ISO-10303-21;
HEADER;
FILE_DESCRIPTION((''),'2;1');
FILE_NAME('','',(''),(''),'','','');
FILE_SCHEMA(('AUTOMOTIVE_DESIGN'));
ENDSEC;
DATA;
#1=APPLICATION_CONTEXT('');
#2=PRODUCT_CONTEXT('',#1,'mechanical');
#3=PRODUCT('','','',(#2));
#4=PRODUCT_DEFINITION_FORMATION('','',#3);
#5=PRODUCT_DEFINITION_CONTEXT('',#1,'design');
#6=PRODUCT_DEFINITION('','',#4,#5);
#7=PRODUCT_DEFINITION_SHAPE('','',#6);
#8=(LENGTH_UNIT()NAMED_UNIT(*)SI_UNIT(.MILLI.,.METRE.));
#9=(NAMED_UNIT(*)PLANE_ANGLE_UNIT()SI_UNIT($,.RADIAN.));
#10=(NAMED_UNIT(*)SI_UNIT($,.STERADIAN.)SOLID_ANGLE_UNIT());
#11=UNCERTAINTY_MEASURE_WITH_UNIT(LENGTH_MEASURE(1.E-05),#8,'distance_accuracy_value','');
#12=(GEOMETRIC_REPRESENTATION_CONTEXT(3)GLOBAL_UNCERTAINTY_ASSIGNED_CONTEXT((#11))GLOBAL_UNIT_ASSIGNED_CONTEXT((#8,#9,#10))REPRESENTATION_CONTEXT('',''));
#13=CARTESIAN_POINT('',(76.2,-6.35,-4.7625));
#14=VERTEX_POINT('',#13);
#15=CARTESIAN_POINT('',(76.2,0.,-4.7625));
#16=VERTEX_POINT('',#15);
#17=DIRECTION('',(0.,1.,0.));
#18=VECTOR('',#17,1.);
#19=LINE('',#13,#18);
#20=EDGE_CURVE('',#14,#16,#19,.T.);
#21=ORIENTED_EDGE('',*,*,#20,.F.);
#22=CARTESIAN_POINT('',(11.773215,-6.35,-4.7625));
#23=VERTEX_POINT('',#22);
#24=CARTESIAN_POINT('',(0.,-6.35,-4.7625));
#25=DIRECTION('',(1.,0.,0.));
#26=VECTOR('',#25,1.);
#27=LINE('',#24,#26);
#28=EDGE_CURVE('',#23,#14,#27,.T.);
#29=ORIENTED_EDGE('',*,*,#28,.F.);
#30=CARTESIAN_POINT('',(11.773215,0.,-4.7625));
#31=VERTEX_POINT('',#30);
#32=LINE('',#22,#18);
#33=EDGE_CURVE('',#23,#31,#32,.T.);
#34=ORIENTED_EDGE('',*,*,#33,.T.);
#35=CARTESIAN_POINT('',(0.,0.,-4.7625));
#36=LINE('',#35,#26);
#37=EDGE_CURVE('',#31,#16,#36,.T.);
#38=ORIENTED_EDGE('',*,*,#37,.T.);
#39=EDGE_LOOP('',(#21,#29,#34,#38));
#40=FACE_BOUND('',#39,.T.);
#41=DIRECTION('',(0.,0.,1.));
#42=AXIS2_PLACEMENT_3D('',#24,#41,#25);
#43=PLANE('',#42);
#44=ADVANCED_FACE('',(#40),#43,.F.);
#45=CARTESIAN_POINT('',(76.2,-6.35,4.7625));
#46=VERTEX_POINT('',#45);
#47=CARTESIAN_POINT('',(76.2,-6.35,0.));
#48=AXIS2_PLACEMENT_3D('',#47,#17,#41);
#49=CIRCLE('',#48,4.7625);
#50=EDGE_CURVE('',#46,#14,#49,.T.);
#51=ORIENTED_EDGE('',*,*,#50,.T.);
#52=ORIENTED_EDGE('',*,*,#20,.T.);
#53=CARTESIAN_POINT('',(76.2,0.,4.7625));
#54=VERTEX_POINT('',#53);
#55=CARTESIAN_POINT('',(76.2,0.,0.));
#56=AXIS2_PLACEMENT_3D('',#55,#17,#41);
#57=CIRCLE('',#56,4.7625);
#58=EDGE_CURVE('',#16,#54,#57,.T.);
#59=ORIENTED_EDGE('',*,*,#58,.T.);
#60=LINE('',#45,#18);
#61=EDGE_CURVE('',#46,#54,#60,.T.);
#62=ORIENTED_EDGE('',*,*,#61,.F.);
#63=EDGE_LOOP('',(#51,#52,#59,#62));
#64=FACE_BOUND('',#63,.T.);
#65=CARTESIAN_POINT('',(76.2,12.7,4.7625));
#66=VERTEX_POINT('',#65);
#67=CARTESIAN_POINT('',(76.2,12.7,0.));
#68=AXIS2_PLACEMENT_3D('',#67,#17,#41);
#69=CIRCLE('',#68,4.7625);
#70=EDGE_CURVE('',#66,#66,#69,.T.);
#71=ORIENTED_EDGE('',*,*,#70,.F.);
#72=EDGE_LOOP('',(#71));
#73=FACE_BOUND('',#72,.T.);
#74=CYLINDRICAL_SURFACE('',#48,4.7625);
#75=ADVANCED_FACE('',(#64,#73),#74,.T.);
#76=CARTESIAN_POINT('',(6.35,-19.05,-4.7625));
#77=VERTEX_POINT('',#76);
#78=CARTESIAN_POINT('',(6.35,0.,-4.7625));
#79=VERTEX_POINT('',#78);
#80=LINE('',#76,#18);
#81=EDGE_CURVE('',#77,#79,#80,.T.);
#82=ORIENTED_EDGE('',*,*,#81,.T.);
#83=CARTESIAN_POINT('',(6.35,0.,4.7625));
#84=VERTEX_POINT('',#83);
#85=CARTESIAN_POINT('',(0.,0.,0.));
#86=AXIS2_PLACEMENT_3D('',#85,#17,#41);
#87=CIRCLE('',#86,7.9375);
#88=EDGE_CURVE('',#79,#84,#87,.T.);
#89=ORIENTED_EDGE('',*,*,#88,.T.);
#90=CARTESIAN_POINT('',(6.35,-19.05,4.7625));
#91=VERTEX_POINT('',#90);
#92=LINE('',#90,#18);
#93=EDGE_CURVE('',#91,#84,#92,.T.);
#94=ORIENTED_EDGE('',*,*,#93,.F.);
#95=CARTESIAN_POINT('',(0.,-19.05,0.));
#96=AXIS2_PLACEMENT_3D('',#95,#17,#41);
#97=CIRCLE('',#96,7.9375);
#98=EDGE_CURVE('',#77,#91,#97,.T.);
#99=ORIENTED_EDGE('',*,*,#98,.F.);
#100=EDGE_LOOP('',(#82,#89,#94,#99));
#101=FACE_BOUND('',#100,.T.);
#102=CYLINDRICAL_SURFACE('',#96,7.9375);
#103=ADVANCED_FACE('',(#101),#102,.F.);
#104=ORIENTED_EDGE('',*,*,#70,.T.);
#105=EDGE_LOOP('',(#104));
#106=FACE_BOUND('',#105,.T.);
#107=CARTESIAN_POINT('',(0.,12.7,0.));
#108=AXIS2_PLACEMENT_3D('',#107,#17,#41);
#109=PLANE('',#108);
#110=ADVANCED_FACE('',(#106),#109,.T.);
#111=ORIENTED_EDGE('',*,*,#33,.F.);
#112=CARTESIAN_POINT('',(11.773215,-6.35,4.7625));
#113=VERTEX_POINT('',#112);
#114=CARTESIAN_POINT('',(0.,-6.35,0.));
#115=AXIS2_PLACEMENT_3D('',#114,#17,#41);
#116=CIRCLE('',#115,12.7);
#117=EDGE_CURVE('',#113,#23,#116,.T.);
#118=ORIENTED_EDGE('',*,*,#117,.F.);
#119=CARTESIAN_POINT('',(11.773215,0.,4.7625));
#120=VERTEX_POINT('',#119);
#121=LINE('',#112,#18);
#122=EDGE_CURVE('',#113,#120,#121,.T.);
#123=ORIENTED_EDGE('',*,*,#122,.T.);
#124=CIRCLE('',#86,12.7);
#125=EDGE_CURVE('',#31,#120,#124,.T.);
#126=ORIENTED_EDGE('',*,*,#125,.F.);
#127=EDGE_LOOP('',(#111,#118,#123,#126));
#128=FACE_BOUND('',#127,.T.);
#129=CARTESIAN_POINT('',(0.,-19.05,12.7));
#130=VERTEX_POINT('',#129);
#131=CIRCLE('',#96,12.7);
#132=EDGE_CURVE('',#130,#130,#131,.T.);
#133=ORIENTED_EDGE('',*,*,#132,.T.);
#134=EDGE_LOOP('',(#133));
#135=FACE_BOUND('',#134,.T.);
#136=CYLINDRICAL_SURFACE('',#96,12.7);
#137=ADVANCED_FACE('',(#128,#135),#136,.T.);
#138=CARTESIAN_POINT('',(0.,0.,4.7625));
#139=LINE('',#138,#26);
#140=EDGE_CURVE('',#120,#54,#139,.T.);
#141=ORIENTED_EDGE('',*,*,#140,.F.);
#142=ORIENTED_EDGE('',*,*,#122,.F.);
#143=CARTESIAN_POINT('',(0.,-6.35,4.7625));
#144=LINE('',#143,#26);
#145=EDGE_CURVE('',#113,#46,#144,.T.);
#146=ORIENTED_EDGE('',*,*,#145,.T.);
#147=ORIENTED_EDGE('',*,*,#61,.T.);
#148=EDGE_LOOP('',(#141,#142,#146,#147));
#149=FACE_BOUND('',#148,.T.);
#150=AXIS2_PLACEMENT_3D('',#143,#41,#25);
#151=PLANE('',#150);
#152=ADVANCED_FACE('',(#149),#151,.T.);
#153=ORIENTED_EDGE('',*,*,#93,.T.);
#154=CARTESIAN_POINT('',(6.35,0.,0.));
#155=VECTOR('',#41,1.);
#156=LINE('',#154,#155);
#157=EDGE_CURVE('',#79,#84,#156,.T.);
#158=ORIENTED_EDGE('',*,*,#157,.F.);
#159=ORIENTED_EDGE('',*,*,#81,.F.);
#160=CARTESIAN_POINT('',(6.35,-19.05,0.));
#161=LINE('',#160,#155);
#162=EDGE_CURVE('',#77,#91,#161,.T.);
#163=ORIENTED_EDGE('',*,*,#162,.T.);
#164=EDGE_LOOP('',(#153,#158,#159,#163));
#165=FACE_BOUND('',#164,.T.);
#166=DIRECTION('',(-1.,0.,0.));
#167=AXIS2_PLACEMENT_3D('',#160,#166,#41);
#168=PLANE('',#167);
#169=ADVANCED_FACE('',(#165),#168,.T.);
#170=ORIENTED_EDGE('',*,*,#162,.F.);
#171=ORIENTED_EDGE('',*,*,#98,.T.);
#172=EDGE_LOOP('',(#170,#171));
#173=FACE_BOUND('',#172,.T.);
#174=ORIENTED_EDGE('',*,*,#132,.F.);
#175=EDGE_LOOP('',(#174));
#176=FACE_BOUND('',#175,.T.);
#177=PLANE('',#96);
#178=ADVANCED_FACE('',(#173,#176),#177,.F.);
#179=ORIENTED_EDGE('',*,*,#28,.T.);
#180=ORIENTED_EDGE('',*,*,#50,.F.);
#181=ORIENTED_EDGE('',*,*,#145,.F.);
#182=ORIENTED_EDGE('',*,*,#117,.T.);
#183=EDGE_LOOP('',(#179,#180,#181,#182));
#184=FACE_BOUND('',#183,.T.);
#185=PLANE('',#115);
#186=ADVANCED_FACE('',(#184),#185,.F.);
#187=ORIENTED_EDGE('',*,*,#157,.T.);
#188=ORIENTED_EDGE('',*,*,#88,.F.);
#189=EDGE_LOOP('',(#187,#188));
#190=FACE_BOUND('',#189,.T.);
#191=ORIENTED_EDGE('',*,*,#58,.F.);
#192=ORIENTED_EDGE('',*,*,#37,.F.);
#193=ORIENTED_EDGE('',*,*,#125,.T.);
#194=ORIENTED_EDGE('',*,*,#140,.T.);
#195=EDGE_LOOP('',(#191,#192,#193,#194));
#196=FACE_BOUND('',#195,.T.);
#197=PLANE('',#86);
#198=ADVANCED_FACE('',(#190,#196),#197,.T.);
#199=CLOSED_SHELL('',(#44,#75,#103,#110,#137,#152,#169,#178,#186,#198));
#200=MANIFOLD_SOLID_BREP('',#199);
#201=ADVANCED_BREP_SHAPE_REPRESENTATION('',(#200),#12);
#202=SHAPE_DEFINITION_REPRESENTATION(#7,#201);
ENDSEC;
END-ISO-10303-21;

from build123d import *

# Parameters (mm, degrees)
BOSS_EXTRUDE1_DEPTH = 6.35
SKETCH1_3_R         = 12.7
BOSS_EXTRUDE2_DEPTH = 19.05
BOSS_EXTRUDE3_START = 12.7
SKETCH1_4_R         = 4.7625
BOSS_EXTRUDE3_DEPTH = 12.7


with BuildPart() as part:
    # Sketch1 → Boss-Extrude1 (new body)
    with BuildSketch(Plane(origin=(0, 0, 0), x_dir=(1, 0, 0), z_dir=(0, 1, 0))):
        with BuildLine():
            Line((76.2, 4.7625), (11.773215098, 4.7625))
            ThreePointArc((11.773215098, 4.7625), (12.7, 0), (11.773215098, -4.7625))
            Line((11.773215098, -4.7625), (76.2, -4.7625))
            ThreePointArc((76.2, -4.7625), (80.9625, 0), (76.2, 4.7625))
        make_face()
    extrude(amount=-BOSS_EXTRUDE1_DEPTH)

    # Sketch1<3> → Boss-Extrude2 (add)
    with BuildSketch(Plane(origin=(0, 0, 0), x_dir=(1, 0, 0), z_dir=(0, 1, 0))):
        Circle(SKETCH1_3_R)
        with BuildLine():
            ThreePointArc((6.35, -4.7625), (-7.9375, 0), (6.35, 4.7625))
            Line((6.35, 4.7625), (6.35, -4.7625))
        make_face(mode=Mode.SUBTRACT)
    extrude(amount=-BOSS_EXTRUDE2_DEPTH)

    # Sketch1<4> → Boss-Extrude3 (add)
    with BuildSketch(Plane(origin=(0, 0, 0), x_dir=(1, 0, 0), z_dir=(0, 1, 0)).offset(BOSS_EXTRUDE3_START)):
        with Locations((76.2, 0)):
            Circle(SKETCH1_4_R)
    extrude(amount=-BOSS_EXTRUDE3_DEPTH)


solid = part.part
